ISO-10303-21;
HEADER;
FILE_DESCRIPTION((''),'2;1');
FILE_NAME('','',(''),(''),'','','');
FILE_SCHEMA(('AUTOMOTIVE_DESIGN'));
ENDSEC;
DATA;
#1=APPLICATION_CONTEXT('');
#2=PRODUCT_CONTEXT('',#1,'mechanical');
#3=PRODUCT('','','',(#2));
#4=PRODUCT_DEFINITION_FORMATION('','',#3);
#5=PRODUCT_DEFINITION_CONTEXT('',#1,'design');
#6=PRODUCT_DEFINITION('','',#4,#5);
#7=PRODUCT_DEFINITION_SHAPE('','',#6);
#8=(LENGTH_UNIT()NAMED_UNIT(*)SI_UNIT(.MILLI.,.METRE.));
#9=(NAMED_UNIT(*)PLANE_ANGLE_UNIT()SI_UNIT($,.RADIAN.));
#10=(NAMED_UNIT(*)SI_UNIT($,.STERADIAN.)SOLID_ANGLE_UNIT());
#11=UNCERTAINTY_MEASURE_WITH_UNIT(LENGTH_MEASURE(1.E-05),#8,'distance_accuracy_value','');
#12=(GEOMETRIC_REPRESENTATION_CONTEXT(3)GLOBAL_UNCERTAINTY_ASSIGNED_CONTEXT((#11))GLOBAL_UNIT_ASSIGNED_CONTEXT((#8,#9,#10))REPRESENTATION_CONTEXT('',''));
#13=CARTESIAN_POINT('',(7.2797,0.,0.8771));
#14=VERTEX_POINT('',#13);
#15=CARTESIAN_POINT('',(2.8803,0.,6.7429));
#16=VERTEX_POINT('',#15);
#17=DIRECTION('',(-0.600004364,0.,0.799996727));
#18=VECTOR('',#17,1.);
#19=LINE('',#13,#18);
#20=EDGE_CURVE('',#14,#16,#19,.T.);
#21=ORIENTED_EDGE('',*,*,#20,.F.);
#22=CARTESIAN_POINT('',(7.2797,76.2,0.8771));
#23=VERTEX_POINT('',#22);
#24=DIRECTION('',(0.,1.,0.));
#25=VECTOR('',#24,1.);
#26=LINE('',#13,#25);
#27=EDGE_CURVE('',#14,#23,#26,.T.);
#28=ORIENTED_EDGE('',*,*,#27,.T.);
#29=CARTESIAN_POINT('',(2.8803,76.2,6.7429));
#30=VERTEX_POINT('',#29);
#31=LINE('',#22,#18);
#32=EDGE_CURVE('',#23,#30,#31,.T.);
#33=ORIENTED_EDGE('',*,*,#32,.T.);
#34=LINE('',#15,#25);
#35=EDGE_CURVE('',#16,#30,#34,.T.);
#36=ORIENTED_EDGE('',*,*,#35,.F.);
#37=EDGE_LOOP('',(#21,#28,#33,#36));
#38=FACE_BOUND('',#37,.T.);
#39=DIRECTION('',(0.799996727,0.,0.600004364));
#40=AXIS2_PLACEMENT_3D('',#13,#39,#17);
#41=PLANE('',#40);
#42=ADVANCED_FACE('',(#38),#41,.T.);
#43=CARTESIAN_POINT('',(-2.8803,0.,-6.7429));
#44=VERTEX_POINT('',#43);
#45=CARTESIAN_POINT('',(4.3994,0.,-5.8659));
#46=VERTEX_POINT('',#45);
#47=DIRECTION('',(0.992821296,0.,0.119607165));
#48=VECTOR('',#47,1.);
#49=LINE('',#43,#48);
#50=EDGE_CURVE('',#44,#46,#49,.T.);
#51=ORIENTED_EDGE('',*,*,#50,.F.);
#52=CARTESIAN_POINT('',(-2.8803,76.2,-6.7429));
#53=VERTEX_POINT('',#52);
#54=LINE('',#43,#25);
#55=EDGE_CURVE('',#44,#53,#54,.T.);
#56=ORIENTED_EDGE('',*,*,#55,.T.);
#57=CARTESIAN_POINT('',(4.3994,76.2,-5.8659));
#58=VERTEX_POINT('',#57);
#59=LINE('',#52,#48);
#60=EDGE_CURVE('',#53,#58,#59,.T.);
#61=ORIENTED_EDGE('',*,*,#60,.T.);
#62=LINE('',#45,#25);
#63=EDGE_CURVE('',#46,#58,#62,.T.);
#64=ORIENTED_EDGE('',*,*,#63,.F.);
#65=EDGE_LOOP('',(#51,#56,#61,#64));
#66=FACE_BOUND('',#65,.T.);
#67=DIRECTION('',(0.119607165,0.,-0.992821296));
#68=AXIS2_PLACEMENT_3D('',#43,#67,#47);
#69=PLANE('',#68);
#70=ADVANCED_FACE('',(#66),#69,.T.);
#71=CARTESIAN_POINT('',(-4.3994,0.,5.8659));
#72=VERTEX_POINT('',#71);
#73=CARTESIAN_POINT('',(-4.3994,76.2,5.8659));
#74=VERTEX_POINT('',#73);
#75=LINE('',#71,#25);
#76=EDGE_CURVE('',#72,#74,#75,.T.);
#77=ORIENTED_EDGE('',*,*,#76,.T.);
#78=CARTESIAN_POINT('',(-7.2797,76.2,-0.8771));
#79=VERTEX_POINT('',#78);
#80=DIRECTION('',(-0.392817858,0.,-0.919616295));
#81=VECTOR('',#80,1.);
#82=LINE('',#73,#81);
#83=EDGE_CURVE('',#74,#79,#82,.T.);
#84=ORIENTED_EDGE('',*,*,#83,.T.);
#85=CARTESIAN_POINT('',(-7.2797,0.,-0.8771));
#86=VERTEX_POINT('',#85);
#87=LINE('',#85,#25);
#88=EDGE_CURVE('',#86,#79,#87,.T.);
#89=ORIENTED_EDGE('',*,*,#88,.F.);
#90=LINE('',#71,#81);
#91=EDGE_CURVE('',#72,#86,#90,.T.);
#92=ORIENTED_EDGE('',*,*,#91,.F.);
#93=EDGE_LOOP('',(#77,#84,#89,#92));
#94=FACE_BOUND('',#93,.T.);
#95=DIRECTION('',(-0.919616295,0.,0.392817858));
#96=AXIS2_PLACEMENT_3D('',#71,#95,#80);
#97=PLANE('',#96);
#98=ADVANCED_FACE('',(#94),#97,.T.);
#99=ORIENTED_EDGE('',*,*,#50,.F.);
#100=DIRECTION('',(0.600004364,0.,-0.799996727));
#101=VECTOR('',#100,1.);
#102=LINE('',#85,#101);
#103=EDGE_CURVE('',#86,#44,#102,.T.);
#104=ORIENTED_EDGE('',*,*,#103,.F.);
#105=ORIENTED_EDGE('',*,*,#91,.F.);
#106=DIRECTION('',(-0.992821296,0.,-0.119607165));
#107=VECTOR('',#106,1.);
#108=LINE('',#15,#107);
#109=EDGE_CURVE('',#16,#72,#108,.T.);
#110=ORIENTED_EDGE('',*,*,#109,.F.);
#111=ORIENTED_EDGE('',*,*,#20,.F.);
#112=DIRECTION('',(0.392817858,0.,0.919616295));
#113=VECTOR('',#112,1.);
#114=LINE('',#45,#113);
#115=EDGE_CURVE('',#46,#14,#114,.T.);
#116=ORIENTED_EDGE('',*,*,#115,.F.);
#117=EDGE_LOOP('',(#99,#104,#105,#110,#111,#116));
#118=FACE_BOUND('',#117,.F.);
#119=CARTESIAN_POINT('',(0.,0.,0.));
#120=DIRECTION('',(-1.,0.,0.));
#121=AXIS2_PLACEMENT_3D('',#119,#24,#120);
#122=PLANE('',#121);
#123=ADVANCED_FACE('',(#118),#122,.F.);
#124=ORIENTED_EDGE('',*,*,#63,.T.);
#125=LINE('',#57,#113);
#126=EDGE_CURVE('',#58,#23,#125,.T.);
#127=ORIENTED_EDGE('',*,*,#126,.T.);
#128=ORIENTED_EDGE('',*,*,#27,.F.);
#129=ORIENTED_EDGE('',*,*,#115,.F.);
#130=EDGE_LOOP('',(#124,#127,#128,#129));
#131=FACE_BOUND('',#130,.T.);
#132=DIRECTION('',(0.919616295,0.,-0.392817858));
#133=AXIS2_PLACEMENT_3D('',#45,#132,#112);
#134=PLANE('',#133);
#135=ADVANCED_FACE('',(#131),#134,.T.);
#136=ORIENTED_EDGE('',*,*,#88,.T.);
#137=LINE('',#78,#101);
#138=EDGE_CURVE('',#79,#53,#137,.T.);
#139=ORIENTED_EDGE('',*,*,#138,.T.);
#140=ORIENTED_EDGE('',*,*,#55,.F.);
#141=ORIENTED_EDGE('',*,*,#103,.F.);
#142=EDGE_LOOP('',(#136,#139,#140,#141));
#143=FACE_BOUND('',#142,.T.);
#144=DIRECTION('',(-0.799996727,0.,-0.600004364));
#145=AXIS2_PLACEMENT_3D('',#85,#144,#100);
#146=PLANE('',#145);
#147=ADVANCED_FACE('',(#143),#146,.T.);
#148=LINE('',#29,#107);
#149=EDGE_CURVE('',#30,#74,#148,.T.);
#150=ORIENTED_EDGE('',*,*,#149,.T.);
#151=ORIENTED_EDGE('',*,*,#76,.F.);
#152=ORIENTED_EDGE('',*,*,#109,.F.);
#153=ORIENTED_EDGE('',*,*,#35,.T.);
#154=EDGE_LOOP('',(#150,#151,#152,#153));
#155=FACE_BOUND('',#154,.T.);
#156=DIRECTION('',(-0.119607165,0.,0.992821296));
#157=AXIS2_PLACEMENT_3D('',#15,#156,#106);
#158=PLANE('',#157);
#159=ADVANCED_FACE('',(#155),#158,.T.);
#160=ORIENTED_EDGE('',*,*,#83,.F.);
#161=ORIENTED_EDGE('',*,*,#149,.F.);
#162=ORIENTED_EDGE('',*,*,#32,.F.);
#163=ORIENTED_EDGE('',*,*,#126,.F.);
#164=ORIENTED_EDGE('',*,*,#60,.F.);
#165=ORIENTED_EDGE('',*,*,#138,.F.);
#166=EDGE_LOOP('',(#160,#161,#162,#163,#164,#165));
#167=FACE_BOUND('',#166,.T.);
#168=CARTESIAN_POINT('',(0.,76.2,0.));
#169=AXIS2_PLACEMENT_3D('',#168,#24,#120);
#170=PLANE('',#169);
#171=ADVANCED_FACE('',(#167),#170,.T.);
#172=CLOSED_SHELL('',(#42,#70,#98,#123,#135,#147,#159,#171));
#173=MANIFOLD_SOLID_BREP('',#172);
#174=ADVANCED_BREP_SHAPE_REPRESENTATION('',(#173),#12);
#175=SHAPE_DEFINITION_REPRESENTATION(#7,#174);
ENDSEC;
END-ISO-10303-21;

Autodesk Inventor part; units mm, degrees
ref_plane "YZ Plane" through (0, 0, 0) normal (1, 0, 0) x (0, 1, 0)
ref_plane "XZ Plane" through (0, 0, 0) normal (0, 1, 0) x (-1, 0, 0)
ref_plane "XY Plane" through (0, 0, 0) normal (0, 0, 1) x (1, 0, 0)
sketch "Sketch1" plane through (0, 0, 0) normal (0, 1, 0) x (-1, 0, 0)
  line L0 (-4.3994, -5.8659) -> (-7.2797, 0.8771)
  line L1 (-7.2797, 0.8771) -> (-2.8803, 6.7429)
  line L2 (-2.8803, 6.7429) -> (4.3994, 5.8659)
  line L3 (4.3994, 5.8659) -> (7.2797, -0.8771)
  line L4 (7.2797, -0.8771) -> (2.8803, -6.7429)
  line L5 (2.8803, -6.7429) -> (-4.3994, -5.8659)
  point P0 (0, 0)
  point P1 (0, 0)
  dimension "d0" = 12.7
extrude "Extrusion1" add sketch "Sketch1" along normal blind 76.2
properties part number "rod2" material "Steel"
